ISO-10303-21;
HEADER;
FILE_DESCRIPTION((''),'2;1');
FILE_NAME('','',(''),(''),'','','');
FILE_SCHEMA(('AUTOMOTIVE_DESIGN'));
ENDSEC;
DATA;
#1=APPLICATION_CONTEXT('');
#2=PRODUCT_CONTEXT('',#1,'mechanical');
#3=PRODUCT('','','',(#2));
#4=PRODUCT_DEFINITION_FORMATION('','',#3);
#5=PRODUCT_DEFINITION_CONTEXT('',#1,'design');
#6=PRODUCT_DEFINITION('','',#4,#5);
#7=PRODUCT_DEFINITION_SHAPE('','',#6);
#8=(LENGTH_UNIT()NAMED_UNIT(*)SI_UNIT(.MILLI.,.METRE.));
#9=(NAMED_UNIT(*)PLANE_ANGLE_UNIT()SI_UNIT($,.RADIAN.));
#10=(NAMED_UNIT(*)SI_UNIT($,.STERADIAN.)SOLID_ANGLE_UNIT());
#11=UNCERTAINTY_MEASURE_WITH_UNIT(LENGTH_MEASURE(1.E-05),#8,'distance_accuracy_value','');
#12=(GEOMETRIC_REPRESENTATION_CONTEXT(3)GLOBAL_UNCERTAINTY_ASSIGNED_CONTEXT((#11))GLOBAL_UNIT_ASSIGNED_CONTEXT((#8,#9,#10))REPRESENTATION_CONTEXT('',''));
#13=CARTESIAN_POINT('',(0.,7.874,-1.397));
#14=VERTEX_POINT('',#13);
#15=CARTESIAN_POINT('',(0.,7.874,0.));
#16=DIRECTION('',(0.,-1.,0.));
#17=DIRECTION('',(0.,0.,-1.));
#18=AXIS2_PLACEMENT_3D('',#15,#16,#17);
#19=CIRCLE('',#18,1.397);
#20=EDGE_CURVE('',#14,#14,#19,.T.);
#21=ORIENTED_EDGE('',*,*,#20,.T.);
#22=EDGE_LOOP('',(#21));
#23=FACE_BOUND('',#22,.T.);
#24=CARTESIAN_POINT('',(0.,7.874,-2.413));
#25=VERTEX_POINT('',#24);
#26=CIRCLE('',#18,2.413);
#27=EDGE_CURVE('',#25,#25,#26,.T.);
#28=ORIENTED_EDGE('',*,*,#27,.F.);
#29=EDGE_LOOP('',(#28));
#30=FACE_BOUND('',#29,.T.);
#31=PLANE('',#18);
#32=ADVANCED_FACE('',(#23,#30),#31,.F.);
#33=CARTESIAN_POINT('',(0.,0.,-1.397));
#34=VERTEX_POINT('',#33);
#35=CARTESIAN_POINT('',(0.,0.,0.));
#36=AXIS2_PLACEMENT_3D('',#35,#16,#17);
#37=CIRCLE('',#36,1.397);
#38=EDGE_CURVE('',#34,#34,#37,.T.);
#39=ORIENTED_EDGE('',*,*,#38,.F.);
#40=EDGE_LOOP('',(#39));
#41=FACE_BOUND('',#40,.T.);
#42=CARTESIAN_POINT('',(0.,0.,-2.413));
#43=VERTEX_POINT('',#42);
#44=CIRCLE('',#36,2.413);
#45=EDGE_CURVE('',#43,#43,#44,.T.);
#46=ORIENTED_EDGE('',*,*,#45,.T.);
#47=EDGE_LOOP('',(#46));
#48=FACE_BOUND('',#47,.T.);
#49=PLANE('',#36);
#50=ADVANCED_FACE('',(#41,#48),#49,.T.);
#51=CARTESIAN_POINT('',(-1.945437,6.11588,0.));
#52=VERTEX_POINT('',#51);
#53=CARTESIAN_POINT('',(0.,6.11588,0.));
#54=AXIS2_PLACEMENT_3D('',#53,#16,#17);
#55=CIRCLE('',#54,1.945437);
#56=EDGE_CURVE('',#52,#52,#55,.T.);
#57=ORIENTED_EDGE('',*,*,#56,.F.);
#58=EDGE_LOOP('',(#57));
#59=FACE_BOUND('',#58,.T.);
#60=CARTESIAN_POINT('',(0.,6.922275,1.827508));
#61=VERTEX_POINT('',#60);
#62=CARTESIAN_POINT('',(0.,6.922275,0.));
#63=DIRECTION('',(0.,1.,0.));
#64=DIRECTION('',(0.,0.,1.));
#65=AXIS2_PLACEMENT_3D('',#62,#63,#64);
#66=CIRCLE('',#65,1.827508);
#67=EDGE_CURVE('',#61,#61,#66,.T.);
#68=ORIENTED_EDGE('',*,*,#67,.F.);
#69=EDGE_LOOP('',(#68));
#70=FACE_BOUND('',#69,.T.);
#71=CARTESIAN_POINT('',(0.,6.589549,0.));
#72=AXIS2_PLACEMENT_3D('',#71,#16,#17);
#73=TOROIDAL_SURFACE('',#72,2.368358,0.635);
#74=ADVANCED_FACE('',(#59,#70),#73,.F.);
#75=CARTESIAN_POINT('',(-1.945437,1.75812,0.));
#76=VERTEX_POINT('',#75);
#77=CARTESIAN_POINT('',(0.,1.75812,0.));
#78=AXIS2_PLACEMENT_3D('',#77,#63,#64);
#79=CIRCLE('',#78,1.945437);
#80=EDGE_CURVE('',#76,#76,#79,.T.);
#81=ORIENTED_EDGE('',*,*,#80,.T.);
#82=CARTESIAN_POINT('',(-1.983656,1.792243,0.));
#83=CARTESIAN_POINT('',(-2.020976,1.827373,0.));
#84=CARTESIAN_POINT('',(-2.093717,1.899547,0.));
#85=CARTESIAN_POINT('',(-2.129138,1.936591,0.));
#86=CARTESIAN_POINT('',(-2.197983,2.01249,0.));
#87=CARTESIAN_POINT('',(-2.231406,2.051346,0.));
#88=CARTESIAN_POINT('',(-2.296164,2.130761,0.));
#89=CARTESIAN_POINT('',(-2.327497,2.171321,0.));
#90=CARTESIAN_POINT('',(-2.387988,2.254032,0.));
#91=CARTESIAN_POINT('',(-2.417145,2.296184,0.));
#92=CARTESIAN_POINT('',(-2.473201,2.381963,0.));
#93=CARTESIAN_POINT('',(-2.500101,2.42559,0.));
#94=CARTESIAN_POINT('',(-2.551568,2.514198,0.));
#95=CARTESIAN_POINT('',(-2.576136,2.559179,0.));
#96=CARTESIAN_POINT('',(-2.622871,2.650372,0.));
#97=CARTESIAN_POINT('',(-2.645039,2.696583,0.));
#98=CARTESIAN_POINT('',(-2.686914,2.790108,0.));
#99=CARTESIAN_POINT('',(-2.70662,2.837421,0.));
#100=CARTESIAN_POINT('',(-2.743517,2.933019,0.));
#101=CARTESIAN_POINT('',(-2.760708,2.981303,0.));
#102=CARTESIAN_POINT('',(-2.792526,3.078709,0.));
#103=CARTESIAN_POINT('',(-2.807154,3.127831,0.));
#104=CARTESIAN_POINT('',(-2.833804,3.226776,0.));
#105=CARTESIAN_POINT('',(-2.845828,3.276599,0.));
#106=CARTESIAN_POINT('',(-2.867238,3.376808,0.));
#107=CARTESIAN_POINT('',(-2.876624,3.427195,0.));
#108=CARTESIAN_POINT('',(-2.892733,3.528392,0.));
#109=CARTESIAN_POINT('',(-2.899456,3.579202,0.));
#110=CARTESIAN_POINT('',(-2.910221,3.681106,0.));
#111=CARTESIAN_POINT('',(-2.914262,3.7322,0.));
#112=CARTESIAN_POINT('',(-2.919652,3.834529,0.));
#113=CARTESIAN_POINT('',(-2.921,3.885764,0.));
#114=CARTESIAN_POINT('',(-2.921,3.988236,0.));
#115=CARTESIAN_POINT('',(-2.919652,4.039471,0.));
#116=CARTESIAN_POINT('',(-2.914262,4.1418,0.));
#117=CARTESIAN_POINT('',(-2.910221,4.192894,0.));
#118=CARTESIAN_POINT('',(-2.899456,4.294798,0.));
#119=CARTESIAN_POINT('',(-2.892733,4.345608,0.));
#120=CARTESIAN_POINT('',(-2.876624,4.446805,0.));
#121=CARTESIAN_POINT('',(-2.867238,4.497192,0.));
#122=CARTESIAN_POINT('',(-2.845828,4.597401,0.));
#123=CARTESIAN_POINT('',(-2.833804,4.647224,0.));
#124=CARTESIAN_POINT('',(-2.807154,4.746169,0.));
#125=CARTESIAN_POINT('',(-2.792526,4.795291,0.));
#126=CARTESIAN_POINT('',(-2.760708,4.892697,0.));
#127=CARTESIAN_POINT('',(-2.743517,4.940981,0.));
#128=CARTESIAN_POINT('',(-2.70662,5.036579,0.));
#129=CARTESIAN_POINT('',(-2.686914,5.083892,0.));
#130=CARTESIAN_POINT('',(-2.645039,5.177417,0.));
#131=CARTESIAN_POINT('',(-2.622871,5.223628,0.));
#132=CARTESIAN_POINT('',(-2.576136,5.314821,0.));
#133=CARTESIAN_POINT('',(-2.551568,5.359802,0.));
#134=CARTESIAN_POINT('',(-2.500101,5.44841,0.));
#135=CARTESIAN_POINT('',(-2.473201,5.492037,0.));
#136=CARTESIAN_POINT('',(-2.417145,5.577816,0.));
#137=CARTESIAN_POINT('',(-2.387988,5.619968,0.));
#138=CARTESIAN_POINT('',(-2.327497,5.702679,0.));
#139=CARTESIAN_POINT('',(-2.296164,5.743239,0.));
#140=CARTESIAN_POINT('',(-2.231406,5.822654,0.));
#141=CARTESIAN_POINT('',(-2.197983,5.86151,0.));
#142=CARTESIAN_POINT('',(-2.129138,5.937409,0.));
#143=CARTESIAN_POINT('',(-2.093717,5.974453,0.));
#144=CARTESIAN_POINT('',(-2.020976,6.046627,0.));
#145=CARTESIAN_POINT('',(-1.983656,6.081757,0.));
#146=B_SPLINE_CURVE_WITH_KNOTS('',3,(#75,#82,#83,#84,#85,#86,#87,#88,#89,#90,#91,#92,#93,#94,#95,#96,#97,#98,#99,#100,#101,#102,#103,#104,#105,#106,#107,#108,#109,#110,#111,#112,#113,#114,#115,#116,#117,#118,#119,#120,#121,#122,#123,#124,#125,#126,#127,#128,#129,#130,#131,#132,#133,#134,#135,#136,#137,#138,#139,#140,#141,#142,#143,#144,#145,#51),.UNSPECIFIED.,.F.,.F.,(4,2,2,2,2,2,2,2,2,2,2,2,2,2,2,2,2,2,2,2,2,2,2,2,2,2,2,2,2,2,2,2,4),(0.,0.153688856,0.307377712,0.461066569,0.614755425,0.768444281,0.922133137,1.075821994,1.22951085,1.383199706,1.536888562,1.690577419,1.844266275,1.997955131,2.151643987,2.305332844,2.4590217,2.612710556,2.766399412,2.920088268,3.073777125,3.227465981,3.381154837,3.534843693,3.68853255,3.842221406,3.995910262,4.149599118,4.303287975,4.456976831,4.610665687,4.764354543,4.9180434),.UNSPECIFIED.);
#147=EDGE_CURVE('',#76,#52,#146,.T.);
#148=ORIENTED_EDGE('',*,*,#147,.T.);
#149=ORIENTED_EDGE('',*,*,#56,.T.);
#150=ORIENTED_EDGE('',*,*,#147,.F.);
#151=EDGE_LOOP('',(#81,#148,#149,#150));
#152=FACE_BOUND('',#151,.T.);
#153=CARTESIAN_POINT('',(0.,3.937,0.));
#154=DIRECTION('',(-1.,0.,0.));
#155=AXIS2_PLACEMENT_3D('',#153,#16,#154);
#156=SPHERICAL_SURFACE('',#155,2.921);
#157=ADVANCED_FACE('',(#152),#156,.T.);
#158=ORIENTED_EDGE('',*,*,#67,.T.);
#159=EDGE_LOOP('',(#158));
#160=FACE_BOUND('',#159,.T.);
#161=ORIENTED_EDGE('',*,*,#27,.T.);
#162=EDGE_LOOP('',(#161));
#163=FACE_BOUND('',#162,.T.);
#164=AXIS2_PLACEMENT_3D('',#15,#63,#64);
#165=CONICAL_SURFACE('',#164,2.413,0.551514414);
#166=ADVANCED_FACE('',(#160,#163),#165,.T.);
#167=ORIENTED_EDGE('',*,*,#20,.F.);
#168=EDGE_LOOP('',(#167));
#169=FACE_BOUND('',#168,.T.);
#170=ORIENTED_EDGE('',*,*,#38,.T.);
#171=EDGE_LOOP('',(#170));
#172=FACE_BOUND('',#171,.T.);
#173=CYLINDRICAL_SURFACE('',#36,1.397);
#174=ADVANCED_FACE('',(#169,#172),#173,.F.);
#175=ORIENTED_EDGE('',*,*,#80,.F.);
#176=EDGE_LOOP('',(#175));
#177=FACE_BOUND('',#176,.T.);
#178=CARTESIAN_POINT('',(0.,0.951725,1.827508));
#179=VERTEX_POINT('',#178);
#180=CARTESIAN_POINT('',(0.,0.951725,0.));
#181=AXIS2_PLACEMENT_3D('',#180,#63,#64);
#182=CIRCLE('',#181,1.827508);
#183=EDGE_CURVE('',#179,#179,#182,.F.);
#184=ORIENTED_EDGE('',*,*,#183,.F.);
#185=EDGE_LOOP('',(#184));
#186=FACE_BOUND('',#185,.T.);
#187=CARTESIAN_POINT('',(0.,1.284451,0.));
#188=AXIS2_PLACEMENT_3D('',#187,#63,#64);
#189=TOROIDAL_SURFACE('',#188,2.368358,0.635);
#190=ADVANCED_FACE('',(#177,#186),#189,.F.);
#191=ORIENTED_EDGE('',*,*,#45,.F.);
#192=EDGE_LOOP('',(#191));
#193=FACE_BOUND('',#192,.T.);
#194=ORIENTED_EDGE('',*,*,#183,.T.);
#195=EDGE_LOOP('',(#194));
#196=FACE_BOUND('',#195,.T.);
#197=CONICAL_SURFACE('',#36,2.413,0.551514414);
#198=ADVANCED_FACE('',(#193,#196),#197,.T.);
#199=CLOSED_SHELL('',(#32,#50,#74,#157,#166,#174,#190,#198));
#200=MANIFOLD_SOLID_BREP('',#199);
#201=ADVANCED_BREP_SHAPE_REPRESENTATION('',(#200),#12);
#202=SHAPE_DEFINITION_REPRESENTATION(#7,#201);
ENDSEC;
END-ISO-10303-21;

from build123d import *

# Parameters (mm, degrees)
FILLET1_R = 0.635


with BuildPart() as part:
    # Sketch1 → Revolve1 (revolve)
    with BuildSketch(Plane.XY):
        with BuildLine():
            Line((-1.397, 7.874), (-2.413, 7.874))
            Line((-2.413, 7.874), (-1.524, 6.428919943))
            ThreePointArc((-1.524, 6.428919943), (-2.921, 3.937), (-1.524, 1.445080057))
            Line((-1.524, 1.445080057), (-2.413, 0))
            Line((-2.413, 0), (-1.397, 0))
            Line((-1.397, 0), (-1.397, 7.874))
        make_face()
    revolve(axis=Axis((0, 0, 0), (0, 1, 0)))

    # Fillet1
    fillet1_edges = [part.edges().sort_by_distance(p)[0] for p in [
        (1.524, 1.445080057, 0),
        (1.524, 6.428919943, 0),
    ]]
    fillet(fillet1_edges, radius=FILLET1_R)


solid = part.part
